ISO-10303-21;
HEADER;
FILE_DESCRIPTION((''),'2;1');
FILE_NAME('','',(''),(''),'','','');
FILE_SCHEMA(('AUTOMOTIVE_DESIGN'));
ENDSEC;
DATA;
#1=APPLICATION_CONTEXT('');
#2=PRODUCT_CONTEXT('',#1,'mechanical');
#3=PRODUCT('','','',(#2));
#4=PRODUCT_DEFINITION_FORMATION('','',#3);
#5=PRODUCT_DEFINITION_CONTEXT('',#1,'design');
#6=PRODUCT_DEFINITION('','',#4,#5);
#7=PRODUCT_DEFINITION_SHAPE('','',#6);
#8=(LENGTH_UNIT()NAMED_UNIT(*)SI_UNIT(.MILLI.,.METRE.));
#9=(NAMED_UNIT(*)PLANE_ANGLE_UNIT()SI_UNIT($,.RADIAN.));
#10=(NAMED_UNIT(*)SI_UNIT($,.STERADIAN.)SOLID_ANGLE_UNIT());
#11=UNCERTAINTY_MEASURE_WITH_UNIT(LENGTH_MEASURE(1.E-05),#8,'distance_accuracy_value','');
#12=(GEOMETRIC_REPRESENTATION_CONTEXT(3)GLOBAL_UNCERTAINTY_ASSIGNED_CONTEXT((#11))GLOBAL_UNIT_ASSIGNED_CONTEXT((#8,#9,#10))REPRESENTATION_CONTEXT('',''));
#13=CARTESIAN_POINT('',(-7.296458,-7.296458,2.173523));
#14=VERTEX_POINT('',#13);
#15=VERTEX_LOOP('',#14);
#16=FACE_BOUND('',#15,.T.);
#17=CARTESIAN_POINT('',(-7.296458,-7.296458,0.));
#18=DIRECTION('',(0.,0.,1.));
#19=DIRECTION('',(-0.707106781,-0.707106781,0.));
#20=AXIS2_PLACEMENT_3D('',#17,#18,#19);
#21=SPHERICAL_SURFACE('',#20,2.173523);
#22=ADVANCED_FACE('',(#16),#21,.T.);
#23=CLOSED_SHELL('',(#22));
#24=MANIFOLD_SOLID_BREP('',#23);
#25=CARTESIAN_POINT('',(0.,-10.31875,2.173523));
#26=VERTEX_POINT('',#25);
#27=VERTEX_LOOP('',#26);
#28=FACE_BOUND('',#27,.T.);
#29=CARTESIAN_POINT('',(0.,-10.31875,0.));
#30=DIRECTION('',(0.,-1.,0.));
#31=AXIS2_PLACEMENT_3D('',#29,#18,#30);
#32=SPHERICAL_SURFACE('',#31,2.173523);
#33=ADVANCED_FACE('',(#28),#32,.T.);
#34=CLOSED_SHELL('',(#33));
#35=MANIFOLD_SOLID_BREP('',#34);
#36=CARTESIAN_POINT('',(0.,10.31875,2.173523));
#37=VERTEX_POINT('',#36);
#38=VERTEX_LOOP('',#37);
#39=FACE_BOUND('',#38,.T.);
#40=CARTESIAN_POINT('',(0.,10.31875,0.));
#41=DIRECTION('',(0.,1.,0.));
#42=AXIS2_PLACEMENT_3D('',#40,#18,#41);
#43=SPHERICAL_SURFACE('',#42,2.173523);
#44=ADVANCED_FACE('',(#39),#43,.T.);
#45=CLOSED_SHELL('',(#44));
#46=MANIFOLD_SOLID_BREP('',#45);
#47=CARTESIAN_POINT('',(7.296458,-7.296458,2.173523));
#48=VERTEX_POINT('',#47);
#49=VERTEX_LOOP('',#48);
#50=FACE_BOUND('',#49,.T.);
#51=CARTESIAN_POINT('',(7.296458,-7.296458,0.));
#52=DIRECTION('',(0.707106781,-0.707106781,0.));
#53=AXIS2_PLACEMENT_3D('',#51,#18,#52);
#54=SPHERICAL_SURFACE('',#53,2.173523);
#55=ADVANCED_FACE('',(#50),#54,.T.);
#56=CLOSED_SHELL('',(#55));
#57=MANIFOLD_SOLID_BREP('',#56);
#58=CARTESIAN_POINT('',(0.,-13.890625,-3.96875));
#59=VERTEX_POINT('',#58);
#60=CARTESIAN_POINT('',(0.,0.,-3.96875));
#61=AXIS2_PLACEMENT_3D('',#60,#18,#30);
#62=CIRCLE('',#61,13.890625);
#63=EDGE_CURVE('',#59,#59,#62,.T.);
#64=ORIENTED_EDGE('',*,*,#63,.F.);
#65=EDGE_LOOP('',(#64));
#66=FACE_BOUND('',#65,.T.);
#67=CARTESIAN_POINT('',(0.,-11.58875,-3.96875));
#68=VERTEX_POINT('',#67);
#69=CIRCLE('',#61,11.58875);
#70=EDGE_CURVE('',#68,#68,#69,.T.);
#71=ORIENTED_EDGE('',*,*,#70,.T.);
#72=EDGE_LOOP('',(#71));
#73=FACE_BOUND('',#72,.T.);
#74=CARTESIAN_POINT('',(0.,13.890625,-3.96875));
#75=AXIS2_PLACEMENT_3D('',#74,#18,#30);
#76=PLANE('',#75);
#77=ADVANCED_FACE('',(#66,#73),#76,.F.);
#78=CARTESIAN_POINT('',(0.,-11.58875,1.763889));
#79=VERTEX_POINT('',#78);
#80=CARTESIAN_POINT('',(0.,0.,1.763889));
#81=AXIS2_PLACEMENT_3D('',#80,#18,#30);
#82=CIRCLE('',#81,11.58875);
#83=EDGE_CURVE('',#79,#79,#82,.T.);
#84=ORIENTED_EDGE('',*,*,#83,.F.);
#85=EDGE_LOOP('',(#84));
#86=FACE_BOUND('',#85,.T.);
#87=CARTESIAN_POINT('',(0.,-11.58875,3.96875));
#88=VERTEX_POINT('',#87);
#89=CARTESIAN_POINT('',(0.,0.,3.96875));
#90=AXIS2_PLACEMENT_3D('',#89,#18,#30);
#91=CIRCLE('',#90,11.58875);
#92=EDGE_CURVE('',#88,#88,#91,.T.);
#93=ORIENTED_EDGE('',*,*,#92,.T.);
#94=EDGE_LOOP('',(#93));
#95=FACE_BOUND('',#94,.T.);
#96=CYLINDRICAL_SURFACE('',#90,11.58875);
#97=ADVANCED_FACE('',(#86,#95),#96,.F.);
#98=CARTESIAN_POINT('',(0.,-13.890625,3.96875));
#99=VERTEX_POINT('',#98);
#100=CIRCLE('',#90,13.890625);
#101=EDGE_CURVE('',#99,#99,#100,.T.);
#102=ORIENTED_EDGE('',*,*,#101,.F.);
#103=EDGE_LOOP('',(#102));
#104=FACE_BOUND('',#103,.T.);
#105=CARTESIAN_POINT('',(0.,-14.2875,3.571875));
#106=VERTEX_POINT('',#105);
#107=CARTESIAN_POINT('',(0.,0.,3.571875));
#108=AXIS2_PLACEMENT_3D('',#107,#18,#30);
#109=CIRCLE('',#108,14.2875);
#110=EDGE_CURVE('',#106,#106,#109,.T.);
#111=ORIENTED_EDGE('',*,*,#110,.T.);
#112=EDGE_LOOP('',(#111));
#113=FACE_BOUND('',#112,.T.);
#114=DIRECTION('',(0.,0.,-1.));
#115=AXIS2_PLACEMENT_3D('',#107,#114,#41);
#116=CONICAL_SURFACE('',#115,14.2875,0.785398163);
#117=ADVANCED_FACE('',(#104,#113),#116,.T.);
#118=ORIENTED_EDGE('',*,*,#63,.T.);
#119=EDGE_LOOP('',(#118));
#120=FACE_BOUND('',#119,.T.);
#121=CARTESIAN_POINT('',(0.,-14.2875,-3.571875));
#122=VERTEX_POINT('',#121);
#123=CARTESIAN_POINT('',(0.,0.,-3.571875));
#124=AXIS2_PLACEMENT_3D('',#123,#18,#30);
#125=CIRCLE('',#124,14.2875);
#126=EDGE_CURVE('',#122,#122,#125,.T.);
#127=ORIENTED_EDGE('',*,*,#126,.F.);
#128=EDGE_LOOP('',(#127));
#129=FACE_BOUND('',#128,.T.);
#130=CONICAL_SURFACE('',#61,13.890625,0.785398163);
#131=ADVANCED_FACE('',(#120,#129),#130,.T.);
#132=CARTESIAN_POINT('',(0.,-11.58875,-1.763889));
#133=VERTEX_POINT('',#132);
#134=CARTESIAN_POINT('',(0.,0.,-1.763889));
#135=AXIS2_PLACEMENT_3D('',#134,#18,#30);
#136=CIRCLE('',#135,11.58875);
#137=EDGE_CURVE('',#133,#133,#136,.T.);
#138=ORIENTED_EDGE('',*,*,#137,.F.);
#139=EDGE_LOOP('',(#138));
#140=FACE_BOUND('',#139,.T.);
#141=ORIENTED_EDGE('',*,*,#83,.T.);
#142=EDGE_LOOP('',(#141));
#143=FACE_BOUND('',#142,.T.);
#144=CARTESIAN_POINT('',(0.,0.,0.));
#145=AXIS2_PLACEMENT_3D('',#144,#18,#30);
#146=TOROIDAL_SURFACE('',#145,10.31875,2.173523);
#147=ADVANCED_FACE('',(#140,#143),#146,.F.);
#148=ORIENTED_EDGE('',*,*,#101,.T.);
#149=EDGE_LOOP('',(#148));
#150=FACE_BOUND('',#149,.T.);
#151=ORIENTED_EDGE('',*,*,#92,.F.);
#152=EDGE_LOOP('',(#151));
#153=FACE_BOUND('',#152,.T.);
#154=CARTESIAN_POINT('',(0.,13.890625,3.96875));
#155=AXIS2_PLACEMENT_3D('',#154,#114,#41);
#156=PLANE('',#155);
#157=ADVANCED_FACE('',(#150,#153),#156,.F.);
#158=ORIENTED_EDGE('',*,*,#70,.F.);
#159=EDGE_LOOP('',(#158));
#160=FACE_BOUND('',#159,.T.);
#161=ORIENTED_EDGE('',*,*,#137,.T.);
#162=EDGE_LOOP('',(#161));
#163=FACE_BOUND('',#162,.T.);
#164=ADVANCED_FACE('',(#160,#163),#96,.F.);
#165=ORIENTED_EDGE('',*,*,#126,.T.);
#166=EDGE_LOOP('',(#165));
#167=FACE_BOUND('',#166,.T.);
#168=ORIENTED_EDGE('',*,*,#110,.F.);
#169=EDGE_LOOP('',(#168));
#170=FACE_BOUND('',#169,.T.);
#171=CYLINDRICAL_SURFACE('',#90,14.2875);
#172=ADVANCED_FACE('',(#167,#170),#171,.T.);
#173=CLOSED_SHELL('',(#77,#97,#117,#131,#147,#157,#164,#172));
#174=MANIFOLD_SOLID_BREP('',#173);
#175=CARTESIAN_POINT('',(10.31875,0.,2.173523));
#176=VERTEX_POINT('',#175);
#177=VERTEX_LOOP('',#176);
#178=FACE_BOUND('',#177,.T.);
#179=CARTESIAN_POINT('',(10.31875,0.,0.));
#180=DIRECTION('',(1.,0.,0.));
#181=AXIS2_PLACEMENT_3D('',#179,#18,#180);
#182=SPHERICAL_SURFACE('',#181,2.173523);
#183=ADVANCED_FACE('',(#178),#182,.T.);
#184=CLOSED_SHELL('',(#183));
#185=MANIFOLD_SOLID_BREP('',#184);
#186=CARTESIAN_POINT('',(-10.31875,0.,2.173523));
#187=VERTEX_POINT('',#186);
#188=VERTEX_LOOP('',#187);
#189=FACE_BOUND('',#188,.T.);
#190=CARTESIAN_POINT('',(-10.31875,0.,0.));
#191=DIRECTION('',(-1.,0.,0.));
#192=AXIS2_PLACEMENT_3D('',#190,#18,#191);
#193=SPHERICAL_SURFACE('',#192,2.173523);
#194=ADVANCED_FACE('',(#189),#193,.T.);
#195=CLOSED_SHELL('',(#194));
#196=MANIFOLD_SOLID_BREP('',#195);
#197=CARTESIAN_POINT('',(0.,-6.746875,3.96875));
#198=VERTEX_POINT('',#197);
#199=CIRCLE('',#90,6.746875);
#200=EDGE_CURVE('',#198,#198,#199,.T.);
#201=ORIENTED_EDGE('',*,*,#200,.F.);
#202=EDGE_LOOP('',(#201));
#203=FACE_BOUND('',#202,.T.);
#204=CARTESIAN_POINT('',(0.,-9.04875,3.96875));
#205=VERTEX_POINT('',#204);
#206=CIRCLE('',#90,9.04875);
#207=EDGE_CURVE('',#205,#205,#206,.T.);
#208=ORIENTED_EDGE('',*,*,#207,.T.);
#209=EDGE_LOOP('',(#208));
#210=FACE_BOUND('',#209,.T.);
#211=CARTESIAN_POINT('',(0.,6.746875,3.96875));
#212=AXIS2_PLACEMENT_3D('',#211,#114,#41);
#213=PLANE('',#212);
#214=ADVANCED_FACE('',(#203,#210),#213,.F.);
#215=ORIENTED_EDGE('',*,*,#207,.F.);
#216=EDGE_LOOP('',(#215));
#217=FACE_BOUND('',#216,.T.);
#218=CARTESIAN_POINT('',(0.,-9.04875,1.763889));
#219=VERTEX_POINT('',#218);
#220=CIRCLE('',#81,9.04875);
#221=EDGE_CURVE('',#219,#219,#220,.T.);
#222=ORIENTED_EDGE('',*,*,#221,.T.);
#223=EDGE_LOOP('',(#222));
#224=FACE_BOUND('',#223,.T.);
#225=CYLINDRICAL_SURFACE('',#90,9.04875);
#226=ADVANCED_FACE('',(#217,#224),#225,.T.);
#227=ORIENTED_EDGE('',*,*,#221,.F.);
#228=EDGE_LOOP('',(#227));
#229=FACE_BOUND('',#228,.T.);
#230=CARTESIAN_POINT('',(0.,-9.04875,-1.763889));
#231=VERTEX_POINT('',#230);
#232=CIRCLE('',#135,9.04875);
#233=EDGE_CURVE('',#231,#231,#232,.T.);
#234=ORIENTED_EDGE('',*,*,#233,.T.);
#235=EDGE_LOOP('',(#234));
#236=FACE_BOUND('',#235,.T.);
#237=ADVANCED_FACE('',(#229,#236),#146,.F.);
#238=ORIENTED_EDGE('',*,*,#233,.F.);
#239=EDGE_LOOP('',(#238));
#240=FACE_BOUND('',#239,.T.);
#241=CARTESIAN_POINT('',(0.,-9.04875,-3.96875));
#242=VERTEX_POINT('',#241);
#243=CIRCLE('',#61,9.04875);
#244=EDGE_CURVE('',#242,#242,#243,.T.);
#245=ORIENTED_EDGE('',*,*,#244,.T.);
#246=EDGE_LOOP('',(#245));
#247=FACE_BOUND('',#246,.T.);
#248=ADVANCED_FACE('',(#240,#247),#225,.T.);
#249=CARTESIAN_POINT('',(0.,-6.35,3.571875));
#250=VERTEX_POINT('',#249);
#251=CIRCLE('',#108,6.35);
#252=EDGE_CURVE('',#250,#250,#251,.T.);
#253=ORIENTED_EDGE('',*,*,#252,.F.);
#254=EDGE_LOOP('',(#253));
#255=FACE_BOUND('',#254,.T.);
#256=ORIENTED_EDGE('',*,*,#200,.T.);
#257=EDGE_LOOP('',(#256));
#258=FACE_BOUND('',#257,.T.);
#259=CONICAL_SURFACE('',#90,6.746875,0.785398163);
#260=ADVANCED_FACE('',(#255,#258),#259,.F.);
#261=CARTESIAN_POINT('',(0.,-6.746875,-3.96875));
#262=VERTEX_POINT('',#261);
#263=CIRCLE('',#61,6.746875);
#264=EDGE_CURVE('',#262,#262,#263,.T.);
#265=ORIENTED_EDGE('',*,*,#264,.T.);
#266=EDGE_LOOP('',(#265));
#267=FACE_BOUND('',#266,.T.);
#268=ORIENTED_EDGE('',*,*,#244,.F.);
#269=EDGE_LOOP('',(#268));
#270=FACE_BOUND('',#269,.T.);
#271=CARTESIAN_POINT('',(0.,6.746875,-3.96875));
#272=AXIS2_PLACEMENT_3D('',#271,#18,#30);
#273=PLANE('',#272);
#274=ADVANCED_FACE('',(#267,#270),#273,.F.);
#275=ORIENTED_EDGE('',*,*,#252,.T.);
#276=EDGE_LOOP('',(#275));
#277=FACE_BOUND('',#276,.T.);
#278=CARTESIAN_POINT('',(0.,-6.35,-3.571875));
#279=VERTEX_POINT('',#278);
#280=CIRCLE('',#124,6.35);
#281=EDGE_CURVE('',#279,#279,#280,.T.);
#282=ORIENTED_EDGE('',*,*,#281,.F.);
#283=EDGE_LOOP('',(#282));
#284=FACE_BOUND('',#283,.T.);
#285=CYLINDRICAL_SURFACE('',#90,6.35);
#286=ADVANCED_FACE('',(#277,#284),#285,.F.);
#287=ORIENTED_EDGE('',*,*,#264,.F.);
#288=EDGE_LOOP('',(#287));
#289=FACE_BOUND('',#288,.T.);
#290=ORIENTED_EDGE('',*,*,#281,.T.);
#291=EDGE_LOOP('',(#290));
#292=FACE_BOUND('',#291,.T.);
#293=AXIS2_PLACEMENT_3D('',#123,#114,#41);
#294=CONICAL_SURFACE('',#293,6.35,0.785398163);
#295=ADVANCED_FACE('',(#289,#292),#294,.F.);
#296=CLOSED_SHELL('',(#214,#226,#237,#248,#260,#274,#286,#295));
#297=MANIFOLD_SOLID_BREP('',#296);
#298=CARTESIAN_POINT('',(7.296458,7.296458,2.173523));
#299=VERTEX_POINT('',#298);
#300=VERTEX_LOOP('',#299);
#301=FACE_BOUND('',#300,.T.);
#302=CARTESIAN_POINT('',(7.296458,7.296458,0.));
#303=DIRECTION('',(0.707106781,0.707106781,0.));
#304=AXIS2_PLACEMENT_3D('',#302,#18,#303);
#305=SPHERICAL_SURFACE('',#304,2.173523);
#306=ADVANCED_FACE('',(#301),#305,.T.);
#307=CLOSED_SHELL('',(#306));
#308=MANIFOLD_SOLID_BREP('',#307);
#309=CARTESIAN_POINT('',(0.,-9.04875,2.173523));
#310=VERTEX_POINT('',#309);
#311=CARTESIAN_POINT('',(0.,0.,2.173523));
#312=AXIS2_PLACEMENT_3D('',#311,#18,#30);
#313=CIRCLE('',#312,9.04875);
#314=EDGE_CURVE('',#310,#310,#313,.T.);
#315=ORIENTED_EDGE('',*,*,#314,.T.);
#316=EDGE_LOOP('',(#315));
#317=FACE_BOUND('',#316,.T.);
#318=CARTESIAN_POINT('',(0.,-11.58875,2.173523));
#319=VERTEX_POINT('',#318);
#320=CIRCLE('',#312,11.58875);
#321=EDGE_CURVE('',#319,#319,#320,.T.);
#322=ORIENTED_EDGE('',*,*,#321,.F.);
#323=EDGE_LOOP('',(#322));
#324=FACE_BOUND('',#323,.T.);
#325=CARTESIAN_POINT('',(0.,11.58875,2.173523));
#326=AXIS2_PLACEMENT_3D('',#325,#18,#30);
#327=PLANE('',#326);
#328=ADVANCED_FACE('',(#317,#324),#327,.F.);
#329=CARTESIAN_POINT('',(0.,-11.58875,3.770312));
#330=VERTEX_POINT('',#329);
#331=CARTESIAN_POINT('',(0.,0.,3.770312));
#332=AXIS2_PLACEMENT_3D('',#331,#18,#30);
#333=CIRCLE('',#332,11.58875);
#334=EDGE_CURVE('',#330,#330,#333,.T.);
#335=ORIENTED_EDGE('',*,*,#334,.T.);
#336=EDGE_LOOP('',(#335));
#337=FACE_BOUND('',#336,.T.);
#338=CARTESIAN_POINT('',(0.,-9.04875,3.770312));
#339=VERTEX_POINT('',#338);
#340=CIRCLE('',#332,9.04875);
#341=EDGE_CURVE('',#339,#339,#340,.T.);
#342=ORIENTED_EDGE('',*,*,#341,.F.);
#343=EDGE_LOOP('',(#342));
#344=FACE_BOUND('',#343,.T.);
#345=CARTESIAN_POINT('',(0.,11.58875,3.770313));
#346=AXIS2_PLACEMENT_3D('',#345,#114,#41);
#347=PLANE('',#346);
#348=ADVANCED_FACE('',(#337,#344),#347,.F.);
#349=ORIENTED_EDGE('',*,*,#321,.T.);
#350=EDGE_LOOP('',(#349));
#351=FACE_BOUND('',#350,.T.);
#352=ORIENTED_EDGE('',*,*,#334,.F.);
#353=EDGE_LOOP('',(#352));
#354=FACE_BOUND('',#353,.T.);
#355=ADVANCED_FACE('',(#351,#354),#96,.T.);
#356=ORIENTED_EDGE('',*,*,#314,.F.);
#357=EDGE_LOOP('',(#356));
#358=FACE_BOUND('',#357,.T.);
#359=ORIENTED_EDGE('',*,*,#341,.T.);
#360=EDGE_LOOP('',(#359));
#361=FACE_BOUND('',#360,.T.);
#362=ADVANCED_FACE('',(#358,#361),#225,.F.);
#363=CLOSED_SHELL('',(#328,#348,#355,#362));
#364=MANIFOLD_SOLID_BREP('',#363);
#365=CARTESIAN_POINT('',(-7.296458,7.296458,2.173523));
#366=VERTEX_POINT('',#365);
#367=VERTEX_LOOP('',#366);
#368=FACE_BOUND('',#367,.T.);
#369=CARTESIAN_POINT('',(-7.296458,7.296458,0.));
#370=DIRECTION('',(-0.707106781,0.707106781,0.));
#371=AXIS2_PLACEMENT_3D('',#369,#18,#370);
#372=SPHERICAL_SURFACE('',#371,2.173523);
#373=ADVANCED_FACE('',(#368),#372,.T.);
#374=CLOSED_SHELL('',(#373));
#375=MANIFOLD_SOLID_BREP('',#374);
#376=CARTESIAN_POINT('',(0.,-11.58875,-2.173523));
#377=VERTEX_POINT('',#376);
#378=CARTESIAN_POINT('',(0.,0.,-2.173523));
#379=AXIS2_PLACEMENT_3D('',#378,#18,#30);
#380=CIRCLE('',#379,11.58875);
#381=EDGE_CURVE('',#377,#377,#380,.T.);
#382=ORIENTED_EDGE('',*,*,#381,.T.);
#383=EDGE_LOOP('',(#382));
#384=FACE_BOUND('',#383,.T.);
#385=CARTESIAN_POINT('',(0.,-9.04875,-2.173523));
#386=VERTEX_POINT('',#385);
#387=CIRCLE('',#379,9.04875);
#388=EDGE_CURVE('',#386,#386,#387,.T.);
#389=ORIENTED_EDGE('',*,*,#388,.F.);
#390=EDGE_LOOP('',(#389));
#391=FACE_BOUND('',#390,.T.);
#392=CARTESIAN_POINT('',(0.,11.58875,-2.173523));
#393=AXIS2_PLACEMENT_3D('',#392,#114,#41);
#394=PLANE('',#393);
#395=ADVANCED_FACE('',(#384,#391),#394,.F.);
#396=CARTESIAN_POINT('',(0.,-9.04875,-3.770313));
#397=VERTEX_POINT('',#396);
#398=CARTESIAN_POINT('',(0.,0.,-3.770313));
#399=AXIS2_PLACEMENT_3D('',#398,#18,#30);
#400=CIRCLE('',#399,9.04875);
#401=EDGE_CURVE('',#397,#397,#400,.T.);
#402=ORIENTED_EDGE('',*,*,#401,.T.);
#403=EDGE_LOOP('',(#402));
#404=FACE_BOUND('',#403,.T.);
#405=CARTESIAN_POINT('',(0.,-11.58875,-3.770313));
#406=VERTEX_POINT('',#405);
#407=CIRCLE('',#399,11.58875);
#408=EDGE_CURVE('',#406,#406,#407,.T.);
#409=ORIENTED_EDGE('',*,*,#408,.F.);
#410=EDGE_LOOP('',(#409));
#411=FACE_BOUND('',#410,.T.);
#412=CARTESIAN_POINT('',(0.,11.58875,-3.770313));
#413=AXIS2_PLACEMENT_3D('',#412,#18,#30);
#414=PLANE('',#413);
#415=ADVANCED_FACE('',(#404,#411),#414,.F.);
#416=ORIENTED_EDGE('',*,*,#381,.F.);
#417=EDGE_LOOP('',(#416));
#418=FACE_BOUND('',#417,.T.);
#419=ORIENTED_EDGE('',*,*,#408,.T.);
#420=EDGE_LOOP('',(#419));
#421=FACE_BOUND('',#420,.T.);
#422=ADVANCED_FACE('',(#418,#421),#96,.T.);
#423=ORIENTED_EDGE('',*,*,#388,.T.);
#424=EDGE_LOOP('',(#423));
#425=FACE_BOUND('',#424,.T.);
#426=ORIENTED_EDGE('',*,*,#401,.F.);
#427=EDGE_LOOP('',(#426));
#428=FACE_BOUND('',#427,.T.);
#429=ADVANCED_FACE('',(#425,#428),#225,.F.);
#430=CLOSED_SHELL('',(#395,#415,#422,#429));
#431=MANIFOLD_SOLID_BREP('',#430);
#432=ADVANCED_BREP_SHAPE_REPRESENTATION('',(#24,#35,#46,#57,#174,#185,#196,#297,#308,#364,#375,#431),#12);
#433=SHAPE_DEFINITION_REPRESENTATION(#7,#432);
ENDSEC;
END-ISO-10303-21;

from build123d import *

# Parameters (mm, degrees)
CIRPATTERN1_COUNT = 8
SKETCH6_W         = 1.59678909
SKETCH6_H         = 2.54


with BuildPart() as part:
    # Sketch3 → Revolve1 (revolve)
    with BuildSketch(Plane(origin=(0, 0, 0), x_dir=(0, 0, -1), z_dir=(1, 0, 0)), mode=Mode.PRIVATE) as revolve1_sk:
        with BuildLine():
            Line((3.571875, 14.2875), (3.96875, 13.890625))
            Line((3.96875, 13.890625), (3.96875, 11.58875))
            Line((3.96875, 11.58875), (1.763888889, 11.58875))
            ThreePointArc((1.763888889, 11.58875), (0, 12.49227341), (-1.763888889, 11.58875))
            Line((-1.763888889, 11.58875), (-3.96875, 11.58875))
            Line((-3.96875, 11.58875), (-3.96875, 13.890625))
            Line((-3.96875, 13.890625), (-3.571875, 14.2875))
            Line((-3.571875, 14.2875), (3.571875, 14.2875))
        make_face()
    revolve(revolve1_sk.sketch.rotate(Axis((0, 0, 3.96875), (0, 0, -1)), 180), axis=Axis((0, 0, 3.96875), (0, 0, -1)))


with BuildPart() as body_2:
    # Sketch4 → Revolve2 (revolve)
    with BuildSketch(Plane(origin=(0, 0, 0), x_dir=(0, 0, -1), z_dir=(1, 0, 0)), mode=Mode.PRIVATE) as revolve2_sk:
        with BuildLine():
            Line((-3.571875, 6.35), (-3.96875, 6.746875))
            Line((-3.96875, 6.746875), (-3.96875, 9.04875))
            Line((-3.96875, 9.04875), (-1.763888889, 9.04875))
            ThreePointArc((-1.763888889, 9.04875), (0, 8.14522659), (1.763888889, 9.04875))
            Line((1.763888889, 9.04875), (3.96875, 9.04875))
            Line((3.96875, 9.04875), (3.96875, 6.746875))
            Line((3.96875, 6.746875), (3.571875, 6.35))
            Line((3.571875, 6.35), (-3.571875, 6.35))
        make_face()
    revolve(revolve2_sk.sketch.rotate(Axis((0, 0, 3.96875), (0, 0, -1)), 180), axis=Axis((0, 0, 3.96875), (0, 0, -1)))


with BuildPart() as body_3:
    # Sketch5 → Revolve3 (revolve)
    with BuildSketch(Plane(origin=(0, 0, 0), x_dir=(0, 0, -1), z_dir=(1, 0, 0))):
        with BuildLine():
            Line((-2.17352341, 10.31875), (2.17352341, 10.31875))
            ThreePointArc((2.17352341, 10.31875), (0, 12.49227341), (-2.17352341, 10.31875))
        make_face()
    revolve(axis=Axis((0, 10.31875, 2.17352341), (0, 0, -1)))


with BuildPart() as cirpattern1_1:
    # CirPattern1: pattern copy
    add(body_3.part.rotate(Axis((0, 0, 0), (0, 0, 1)), 1 * 360 / CIRPATTERN1_COUNT))


with BuildPart() as cirpattern1_2:
    # CirPattern1: pattern copy
    add(body_3.part.rotate(Axis((0, 0, 0), (0, 0, 1)), 2 * 360 / CIRPATTERN1_COUNT))


with BuildPart() as cirpattern1_3:
    # CirPattern1: pattern copy
    add(body_3.part.rotate(Axis((0, 0, 0), (0, 0, 1)), 3 * 360 / CIRPATTERN1_COUNT))


with BuildPart() as cirpattern1_4:
    # CirPattern1: pattern copy
    add(body_3.part.rotate(Axis((0, 0, 0), (0, 0, 1)), 4 * 360 / CIRPATTERN1_COUNT))


with BuildPart() as cirpattern1_5:
    # CirPattern1: pattern copy
    add(body_3.part.rotate(Axis((0, 0, 0), (0, 0, 1)), 5 * 360 / CIRPATTERN1_COUNT))


with BuildPart() as cirpattern1_6:
    # CirPattern1: pattern copy
    add(body_3.part.rotate(Axis((0, 0, 0), (0, 0, 1)), 6 * 360 / CIRPATTERN1_COUNT))


with BuildPart() as cirpattern1_7:
    # CirPattern1: pattern copy
    add(body_3.part.rotate(Axis((0, 0, 0), (0, 0, 1)), 7 * 360 / CIRPATTERN1_COUNT))


with BuildPart() as body_11:
    # Sketch6 → Revolve4 (revolve)
    with BuildSketch(Plane(origin=(0, 0, 0), x_dir=(0, 0, -1), z_dir=(1, 0, 0)), mode=Mode.PRIVATE) as revolve4_sk:
        with Locations((-2.971917955, 10.31875)):
            Rectangle(SKETCH6_W, SKETCH6_H)
        with Locations((2.971917955, 10.31875)):
            Rectangle(SKETCH6_W, SKETCH6_H)
    revolve(revolve4_sk.sketch.rotate(Axis((0, 0, 3.96875), (0, 0, -1)), 180), axis=Axis((0, 0, 3.96875), (0, 0, -1)))


solid = Compound([part.part, body_2.part, body_3.part, cirpattern1_1.part, cirpattern1_2.part, cirpattern1_3.part, cirpattern1_4.part, cirpattern1_5.part, cirpattern1_6.part, cirpattern1_7.part, body_11.part])
